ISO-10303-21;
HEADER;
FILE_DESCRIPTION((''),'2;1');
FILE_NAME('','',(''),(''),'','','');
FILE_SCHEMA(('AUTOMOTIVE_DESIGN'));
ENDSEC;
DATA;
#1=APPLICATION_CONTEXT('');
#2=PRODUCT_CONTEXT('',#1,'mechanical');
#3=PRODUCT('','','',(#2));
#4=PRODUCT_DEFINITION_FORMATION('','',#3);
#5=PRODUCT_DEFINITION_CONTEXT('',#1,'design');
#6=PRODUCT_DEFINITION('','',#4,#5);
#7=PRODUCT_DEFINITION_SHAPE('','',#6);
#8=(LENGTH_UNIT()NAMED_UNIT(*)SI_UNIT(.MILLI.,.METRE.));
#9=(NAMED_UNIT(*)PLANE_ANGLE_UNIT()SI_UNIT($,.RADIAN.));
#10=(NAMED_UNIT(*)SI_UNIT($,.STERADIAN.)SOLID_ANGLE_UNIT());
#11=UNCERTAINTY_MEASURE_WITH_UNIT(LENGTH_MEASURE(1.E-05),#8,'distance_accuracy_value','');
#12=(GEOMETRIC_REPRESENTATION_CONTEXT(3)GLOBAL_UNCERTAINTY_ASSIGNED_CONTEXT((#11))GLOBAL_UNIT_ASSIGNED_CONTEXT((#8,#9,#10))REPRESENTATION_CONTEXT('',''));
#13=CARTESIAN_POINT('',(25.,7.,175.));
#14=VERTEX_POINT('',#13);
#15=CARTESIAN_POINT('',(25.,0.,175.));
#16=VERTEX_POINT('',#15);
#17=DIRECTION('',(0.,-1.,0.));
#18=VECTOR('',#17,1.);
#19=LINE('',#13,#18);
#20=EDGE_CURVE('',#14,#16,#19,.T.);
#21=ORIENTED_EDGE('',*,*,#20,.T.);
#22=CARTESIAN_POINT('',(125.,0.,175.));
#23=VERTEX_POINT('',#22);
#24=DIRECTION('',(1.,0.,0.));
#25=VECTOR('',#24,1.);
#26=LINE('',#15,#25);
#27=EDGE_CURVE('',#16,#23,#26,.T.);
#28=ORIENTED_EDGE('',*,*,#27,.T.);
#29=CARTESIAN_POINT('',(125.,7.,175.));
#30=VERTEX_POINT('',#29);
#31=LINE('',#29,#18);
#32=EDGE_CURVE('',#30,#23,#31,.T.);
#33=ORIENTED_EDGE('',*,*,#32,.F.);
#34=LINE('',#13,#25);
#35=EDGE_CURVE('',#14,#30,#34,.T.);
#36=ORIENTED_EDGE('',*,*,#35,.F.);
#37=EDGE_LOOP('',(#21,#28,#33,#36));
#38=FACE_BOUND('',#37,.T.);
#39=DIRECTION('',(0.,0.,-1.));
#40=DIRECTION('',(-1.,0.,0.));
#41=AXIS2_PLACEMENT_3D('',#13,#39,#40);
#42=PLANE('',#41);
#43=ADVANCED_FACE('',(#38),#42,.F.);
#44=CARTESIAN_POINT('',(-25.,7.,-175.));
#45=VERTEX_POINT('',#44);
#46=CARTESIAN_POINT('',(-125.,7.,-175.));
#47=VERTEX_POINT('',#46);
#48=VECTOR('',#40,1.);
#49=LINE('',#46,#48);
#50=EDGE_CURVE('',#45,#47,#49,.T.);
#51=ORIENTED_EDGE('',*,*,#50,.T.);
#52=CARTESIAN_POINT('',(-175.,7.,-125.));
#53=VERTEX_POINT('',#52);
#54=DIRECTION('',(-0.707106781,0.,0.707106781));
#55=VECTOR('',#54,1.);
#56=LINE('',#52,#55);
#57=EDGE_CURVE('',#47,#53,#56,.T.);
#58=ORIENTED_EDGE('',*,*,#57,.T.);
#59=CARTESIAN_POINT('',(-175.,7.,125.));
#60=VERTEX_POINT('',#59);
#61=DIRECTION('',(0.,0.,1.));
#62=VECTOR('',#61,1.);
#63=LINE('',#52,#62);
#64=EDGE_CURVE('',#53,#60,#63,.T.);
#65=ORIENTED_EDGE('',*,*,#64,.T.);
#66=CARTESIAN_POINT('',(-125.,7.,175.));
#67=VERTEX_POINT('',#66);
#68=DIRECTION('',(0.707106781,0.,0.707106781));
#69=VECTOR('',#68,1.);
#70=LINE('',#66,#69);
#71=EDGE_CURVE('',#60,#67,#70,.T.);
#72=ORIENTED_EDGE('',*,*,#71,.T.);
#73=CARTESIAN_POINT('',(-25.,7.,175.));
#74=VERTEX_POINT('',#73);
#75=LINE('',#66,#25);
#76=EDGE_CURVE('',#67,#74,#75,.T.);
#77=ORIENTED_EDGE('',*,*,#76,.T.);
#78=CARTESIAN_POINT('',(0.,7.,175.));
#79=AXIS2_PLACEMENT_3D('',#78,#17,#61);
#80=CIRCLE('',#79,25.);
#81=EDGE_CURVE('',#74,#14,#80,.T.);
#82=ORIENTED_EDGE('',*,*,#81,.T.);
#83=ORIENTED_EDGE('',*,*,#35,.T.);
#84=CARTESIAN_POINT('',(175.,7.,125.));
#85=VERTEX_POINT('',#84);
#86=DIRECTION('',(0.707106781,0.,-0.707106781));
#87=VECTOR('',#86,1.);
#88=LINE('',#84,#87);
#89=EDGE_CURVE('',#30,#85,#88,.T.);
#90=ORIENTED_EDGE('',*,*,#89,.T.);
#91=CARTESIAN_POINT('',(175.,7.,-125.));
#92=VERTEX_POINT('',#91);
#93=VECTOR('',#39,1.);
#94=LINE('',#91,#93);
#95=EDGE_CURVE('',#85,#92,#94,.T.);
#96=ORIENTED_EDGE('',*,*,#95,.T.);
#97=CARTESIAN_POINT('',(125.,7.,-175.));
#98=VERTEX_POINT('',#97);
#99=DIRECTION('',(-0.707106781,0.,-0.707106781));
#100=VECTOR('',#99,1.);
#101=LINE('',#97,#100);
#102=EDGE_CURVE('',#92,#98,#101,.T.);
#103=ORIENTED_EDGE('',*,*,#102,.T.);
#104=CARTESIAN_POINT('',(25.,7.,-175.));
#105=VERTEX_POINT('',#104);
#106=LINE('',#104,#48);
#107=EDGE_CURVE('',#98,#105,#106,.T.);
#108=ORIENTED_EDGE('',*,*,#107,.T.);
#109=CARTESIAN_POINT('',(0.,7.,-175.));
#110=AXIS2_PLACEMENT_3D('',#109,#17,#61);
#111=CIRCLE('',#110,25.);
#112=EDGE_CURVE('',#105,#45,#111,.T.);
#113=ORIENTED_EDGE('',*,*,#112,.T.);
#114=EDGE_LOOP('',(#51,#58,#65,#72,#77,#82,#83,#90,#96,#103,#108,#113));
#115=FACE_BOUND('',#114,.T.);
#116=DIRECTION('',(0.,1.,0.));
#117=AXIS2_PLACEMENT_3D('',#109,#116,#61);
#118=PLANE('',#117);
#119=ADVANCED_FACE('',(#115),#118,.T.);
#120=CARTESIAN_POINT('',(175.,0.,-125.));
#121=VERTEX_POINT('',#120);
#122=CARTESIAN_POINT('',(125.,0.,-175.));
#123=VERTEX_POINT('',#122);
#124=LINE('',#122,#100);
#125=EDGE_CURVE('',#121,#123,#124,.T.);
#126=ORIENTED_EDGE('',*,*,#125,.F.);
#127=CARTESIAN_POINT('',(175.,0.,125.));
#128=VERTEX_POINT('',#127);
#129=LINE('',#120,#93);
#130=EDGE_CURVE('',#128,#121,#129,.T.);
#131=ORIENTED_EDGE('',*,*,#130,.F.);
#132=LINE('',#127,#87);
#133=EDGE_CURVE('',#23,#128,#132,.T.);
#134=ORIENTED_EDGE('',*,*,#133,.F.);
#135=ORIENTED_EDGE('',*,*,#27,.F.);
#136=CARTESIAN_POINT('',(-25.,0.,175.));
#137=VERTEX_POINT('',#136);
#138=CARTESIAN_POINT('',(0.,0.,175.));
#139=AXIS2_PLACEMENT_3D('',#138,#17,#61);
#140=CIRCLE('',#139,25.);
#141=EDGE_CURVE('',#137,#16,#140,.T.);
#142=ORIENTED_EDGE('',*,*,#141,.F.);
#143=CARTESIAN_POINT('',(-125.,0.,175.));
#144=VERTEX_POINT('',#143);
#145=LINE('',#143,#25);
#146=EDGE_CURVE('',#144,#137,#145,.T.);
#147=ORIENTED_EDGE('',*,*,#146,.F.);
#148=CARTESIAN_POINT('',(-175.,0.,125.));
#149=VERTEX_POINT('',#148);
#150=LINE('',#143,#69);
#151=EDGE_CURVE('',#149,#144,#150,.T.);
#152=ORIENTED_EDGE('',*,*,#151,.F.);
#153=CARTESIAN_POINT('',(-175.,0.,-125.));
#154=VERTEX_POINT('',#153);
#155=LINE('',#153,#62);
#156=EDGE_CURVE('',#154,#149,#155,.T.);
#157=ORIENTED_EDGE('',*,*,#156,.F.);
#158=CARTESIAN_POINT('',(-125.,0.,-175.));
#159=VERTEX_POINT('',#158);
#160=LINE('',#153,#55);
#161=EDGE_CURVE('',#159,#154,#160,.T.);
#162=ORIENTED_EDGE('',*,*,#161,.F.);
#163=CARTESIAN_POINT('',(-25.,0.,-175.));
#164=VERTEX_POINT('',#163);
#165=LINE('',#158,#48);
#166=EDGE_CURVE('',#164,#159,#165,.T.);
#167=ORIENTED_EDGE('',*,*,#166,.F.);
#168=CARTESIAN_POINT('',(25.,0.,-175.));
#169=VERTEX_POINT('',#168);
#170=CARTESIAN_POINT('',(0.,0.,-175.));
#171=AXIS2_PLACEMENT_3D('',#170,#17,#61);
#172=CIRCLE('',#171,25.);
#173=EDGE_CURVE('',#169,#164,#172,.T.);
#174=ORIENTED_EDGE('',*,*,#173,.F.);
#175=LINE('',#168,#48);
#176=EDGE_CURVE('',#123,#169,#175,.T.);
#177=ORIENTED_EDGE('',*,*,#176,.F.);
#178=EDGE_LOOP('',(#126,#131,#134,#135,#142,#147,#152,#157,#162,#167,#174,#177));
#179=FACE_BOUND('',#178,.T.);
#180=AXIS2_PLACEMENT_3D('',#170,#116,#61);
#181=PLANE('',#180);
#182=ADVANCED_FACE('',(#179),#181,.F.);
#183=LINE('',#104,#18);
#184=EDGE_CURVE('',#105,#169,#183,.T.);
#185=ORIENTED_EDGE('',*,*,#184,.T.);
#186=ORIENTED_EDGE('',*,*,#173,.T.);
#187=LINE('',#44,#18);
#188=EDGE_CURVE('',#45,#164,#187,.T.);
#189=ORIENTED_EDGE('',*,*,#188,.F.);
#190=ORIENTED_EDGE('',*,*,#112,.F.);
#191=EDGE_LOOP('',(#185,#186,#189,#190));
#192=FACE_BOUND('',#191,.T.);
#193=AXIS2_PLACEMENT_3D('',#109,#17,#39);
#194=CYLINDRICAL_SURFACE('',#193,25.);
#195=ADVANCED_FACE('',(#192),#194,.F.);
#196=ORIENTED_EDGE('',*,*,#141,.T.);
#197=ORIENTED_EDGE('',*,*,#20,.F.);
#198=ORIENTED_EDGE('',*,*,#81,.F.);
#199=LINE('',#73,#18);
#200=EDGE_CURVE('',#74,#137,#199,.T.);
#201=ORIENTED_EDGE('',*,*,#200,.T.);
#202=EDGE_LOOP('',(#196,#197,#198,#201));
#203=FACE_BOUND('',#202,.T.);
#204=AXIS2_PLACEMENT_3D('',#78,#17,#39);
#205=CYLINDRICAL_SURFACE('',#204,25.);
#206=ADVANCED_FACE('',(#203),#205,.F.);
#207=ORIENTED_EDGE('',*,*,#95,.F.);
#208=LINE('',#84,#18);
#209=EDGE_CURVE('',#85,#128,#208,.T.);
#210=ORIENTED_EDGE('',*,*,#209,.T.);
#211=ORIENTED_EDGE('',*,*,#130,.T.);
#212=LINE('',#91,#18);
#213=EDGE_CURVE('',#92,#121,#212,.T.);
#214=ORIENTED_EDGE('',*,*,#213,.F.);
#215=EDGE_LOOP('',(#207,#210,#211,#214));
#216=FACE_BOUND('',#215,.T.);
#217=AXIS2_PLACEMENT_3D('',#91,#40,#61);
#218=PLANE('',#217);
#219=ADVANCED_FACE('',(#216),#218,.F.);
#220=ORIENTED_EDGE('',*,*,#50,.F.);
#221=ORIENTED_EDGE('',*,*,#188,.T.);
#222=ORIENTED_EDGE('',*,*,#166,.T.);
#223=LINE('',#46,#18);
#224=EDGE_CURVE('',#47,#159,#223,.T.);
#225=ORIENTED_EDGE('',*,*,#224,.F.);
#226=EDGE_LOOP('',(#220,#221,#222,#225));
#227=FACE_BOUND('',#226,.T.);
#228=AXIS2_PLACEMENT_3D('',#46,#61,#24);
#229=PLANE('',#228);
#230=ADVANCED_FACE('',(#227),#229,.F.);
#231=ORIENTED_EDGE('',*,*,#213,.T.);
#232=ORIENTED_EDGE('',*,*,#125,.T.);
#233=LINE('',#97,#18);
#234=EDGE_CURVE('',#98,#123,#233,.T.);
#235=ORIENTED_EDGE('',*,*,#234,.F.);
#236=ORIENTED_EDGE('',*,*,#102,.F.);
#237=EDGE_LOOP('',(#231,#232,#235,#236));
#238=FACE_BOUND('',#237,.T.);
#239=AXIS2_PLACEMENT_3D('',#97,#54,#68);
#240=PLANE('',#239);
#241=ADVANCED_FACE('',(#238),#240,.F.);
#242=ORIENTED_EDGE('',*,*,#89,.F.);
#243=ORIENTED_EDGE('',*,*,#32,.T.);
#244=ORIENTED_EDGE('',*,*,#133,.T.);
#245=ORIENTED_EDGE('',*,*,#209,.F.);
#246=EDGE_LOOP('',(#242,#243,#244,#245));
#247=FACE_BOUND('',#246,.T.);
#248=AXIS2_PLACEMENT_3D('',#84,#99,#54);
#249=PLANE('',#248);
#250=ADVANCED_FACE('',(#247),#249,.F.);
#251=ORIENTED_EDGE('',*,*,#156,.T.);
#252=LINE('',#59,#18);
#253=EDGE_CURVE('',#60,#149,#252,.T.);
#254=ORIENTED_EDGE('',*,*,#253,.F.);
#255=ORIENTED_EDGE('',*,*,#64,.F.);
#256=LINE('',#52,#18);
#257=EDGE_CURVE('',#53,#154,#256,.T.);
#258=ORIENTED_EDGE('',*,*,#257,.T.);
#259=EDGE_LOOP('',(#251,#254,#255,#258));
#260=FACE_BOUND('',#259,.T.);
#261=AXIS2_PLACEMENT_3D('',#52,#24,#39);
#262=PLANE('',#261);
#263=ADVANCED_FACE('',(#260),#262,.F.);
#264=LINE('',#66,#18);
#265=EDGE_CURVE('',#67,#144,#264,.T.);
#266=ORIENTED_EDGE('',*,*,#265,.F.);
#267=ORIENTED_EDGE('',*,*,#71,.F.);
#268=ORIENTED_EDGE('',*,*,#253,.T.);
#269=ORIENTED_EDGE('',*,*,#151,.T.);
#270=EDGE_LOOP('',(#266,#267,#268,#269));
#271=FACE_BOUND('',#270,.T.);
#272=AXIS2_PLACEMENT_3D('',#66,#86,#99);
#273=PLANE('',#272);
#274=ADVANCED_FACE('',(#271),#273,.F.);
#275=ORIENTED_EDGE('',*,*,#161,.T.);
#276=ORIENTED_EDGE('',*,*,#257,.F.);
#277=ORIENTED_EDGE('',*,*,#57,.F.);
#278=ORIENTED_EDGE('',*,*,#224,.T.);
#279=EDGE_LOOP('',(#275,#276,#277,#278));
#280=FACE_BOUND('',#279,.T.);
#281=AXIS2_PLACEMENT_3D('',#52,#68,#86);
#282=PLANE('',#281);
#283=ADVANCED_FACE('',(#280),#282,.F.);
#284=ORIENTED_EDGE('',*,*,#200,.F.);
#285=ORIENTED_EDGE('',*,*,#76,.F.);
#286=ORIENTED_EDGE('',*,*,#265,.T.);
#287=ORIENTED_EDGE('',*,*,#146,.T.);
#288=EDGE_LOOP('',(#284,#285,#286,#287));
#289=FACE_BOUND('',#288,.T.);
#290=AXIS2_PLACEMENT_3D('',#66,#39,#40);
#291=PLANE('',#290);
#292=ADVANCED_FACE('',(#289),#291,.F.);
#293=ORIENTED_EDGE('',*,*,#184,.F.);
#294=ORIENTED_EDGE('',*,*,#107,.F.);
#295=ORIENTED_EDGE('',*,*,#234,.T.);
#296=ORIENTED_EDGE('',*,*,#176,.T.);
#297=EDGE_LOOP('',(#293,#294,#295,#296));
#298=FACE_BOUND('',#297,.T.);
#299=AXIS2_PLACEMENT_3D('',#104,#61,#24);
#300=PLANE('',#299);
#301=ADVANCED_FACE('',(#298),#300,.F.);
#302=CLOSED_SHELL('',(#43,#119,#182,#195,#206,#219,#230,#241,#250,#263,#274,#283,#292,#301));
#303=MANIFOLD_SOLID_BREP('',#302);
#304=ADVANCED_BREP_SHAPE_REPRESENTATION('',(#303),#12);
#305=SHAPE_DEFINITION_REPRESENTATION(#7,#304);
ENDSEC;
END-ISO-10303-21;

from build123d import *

# Parameters (mm, degrees)
BOSS_EXTRUDE1_DEPTH = 7


with BuildPart() as part:
    # Sketch1 → Boss-Extrude1 (new body)
    with BuildSketch(Plane(origin=(0, 0, 0), x_dir=(1, 0, 0), z_dir=(0, 1, 0))):
        with BuildLine():
            Line((-125, 175), (-25, 175))
            ThreePointArc((-25, 175), (0, 150), (25, 175))
            Line((25, 175), (125, 175))
            Line((125, 175), (175, 125))
            Line((175, 125), (175, -125))
            Line((175, -125), (125, -175))
            Line((125, -175), (25, -175))
            ThreePointArc((25, -175), (0, -150), (-25, -175))
            Line((-25, -175), (-125, -175))
            Line((-125, -175), (-175, -125))
            Line((-175, -125), (-175, 125))
            Line((-175, 125), (-125, 175))
        make_face()
    extrude(amount=BOSS_EXTRUDE1_DEPTH)


solid = part.part
